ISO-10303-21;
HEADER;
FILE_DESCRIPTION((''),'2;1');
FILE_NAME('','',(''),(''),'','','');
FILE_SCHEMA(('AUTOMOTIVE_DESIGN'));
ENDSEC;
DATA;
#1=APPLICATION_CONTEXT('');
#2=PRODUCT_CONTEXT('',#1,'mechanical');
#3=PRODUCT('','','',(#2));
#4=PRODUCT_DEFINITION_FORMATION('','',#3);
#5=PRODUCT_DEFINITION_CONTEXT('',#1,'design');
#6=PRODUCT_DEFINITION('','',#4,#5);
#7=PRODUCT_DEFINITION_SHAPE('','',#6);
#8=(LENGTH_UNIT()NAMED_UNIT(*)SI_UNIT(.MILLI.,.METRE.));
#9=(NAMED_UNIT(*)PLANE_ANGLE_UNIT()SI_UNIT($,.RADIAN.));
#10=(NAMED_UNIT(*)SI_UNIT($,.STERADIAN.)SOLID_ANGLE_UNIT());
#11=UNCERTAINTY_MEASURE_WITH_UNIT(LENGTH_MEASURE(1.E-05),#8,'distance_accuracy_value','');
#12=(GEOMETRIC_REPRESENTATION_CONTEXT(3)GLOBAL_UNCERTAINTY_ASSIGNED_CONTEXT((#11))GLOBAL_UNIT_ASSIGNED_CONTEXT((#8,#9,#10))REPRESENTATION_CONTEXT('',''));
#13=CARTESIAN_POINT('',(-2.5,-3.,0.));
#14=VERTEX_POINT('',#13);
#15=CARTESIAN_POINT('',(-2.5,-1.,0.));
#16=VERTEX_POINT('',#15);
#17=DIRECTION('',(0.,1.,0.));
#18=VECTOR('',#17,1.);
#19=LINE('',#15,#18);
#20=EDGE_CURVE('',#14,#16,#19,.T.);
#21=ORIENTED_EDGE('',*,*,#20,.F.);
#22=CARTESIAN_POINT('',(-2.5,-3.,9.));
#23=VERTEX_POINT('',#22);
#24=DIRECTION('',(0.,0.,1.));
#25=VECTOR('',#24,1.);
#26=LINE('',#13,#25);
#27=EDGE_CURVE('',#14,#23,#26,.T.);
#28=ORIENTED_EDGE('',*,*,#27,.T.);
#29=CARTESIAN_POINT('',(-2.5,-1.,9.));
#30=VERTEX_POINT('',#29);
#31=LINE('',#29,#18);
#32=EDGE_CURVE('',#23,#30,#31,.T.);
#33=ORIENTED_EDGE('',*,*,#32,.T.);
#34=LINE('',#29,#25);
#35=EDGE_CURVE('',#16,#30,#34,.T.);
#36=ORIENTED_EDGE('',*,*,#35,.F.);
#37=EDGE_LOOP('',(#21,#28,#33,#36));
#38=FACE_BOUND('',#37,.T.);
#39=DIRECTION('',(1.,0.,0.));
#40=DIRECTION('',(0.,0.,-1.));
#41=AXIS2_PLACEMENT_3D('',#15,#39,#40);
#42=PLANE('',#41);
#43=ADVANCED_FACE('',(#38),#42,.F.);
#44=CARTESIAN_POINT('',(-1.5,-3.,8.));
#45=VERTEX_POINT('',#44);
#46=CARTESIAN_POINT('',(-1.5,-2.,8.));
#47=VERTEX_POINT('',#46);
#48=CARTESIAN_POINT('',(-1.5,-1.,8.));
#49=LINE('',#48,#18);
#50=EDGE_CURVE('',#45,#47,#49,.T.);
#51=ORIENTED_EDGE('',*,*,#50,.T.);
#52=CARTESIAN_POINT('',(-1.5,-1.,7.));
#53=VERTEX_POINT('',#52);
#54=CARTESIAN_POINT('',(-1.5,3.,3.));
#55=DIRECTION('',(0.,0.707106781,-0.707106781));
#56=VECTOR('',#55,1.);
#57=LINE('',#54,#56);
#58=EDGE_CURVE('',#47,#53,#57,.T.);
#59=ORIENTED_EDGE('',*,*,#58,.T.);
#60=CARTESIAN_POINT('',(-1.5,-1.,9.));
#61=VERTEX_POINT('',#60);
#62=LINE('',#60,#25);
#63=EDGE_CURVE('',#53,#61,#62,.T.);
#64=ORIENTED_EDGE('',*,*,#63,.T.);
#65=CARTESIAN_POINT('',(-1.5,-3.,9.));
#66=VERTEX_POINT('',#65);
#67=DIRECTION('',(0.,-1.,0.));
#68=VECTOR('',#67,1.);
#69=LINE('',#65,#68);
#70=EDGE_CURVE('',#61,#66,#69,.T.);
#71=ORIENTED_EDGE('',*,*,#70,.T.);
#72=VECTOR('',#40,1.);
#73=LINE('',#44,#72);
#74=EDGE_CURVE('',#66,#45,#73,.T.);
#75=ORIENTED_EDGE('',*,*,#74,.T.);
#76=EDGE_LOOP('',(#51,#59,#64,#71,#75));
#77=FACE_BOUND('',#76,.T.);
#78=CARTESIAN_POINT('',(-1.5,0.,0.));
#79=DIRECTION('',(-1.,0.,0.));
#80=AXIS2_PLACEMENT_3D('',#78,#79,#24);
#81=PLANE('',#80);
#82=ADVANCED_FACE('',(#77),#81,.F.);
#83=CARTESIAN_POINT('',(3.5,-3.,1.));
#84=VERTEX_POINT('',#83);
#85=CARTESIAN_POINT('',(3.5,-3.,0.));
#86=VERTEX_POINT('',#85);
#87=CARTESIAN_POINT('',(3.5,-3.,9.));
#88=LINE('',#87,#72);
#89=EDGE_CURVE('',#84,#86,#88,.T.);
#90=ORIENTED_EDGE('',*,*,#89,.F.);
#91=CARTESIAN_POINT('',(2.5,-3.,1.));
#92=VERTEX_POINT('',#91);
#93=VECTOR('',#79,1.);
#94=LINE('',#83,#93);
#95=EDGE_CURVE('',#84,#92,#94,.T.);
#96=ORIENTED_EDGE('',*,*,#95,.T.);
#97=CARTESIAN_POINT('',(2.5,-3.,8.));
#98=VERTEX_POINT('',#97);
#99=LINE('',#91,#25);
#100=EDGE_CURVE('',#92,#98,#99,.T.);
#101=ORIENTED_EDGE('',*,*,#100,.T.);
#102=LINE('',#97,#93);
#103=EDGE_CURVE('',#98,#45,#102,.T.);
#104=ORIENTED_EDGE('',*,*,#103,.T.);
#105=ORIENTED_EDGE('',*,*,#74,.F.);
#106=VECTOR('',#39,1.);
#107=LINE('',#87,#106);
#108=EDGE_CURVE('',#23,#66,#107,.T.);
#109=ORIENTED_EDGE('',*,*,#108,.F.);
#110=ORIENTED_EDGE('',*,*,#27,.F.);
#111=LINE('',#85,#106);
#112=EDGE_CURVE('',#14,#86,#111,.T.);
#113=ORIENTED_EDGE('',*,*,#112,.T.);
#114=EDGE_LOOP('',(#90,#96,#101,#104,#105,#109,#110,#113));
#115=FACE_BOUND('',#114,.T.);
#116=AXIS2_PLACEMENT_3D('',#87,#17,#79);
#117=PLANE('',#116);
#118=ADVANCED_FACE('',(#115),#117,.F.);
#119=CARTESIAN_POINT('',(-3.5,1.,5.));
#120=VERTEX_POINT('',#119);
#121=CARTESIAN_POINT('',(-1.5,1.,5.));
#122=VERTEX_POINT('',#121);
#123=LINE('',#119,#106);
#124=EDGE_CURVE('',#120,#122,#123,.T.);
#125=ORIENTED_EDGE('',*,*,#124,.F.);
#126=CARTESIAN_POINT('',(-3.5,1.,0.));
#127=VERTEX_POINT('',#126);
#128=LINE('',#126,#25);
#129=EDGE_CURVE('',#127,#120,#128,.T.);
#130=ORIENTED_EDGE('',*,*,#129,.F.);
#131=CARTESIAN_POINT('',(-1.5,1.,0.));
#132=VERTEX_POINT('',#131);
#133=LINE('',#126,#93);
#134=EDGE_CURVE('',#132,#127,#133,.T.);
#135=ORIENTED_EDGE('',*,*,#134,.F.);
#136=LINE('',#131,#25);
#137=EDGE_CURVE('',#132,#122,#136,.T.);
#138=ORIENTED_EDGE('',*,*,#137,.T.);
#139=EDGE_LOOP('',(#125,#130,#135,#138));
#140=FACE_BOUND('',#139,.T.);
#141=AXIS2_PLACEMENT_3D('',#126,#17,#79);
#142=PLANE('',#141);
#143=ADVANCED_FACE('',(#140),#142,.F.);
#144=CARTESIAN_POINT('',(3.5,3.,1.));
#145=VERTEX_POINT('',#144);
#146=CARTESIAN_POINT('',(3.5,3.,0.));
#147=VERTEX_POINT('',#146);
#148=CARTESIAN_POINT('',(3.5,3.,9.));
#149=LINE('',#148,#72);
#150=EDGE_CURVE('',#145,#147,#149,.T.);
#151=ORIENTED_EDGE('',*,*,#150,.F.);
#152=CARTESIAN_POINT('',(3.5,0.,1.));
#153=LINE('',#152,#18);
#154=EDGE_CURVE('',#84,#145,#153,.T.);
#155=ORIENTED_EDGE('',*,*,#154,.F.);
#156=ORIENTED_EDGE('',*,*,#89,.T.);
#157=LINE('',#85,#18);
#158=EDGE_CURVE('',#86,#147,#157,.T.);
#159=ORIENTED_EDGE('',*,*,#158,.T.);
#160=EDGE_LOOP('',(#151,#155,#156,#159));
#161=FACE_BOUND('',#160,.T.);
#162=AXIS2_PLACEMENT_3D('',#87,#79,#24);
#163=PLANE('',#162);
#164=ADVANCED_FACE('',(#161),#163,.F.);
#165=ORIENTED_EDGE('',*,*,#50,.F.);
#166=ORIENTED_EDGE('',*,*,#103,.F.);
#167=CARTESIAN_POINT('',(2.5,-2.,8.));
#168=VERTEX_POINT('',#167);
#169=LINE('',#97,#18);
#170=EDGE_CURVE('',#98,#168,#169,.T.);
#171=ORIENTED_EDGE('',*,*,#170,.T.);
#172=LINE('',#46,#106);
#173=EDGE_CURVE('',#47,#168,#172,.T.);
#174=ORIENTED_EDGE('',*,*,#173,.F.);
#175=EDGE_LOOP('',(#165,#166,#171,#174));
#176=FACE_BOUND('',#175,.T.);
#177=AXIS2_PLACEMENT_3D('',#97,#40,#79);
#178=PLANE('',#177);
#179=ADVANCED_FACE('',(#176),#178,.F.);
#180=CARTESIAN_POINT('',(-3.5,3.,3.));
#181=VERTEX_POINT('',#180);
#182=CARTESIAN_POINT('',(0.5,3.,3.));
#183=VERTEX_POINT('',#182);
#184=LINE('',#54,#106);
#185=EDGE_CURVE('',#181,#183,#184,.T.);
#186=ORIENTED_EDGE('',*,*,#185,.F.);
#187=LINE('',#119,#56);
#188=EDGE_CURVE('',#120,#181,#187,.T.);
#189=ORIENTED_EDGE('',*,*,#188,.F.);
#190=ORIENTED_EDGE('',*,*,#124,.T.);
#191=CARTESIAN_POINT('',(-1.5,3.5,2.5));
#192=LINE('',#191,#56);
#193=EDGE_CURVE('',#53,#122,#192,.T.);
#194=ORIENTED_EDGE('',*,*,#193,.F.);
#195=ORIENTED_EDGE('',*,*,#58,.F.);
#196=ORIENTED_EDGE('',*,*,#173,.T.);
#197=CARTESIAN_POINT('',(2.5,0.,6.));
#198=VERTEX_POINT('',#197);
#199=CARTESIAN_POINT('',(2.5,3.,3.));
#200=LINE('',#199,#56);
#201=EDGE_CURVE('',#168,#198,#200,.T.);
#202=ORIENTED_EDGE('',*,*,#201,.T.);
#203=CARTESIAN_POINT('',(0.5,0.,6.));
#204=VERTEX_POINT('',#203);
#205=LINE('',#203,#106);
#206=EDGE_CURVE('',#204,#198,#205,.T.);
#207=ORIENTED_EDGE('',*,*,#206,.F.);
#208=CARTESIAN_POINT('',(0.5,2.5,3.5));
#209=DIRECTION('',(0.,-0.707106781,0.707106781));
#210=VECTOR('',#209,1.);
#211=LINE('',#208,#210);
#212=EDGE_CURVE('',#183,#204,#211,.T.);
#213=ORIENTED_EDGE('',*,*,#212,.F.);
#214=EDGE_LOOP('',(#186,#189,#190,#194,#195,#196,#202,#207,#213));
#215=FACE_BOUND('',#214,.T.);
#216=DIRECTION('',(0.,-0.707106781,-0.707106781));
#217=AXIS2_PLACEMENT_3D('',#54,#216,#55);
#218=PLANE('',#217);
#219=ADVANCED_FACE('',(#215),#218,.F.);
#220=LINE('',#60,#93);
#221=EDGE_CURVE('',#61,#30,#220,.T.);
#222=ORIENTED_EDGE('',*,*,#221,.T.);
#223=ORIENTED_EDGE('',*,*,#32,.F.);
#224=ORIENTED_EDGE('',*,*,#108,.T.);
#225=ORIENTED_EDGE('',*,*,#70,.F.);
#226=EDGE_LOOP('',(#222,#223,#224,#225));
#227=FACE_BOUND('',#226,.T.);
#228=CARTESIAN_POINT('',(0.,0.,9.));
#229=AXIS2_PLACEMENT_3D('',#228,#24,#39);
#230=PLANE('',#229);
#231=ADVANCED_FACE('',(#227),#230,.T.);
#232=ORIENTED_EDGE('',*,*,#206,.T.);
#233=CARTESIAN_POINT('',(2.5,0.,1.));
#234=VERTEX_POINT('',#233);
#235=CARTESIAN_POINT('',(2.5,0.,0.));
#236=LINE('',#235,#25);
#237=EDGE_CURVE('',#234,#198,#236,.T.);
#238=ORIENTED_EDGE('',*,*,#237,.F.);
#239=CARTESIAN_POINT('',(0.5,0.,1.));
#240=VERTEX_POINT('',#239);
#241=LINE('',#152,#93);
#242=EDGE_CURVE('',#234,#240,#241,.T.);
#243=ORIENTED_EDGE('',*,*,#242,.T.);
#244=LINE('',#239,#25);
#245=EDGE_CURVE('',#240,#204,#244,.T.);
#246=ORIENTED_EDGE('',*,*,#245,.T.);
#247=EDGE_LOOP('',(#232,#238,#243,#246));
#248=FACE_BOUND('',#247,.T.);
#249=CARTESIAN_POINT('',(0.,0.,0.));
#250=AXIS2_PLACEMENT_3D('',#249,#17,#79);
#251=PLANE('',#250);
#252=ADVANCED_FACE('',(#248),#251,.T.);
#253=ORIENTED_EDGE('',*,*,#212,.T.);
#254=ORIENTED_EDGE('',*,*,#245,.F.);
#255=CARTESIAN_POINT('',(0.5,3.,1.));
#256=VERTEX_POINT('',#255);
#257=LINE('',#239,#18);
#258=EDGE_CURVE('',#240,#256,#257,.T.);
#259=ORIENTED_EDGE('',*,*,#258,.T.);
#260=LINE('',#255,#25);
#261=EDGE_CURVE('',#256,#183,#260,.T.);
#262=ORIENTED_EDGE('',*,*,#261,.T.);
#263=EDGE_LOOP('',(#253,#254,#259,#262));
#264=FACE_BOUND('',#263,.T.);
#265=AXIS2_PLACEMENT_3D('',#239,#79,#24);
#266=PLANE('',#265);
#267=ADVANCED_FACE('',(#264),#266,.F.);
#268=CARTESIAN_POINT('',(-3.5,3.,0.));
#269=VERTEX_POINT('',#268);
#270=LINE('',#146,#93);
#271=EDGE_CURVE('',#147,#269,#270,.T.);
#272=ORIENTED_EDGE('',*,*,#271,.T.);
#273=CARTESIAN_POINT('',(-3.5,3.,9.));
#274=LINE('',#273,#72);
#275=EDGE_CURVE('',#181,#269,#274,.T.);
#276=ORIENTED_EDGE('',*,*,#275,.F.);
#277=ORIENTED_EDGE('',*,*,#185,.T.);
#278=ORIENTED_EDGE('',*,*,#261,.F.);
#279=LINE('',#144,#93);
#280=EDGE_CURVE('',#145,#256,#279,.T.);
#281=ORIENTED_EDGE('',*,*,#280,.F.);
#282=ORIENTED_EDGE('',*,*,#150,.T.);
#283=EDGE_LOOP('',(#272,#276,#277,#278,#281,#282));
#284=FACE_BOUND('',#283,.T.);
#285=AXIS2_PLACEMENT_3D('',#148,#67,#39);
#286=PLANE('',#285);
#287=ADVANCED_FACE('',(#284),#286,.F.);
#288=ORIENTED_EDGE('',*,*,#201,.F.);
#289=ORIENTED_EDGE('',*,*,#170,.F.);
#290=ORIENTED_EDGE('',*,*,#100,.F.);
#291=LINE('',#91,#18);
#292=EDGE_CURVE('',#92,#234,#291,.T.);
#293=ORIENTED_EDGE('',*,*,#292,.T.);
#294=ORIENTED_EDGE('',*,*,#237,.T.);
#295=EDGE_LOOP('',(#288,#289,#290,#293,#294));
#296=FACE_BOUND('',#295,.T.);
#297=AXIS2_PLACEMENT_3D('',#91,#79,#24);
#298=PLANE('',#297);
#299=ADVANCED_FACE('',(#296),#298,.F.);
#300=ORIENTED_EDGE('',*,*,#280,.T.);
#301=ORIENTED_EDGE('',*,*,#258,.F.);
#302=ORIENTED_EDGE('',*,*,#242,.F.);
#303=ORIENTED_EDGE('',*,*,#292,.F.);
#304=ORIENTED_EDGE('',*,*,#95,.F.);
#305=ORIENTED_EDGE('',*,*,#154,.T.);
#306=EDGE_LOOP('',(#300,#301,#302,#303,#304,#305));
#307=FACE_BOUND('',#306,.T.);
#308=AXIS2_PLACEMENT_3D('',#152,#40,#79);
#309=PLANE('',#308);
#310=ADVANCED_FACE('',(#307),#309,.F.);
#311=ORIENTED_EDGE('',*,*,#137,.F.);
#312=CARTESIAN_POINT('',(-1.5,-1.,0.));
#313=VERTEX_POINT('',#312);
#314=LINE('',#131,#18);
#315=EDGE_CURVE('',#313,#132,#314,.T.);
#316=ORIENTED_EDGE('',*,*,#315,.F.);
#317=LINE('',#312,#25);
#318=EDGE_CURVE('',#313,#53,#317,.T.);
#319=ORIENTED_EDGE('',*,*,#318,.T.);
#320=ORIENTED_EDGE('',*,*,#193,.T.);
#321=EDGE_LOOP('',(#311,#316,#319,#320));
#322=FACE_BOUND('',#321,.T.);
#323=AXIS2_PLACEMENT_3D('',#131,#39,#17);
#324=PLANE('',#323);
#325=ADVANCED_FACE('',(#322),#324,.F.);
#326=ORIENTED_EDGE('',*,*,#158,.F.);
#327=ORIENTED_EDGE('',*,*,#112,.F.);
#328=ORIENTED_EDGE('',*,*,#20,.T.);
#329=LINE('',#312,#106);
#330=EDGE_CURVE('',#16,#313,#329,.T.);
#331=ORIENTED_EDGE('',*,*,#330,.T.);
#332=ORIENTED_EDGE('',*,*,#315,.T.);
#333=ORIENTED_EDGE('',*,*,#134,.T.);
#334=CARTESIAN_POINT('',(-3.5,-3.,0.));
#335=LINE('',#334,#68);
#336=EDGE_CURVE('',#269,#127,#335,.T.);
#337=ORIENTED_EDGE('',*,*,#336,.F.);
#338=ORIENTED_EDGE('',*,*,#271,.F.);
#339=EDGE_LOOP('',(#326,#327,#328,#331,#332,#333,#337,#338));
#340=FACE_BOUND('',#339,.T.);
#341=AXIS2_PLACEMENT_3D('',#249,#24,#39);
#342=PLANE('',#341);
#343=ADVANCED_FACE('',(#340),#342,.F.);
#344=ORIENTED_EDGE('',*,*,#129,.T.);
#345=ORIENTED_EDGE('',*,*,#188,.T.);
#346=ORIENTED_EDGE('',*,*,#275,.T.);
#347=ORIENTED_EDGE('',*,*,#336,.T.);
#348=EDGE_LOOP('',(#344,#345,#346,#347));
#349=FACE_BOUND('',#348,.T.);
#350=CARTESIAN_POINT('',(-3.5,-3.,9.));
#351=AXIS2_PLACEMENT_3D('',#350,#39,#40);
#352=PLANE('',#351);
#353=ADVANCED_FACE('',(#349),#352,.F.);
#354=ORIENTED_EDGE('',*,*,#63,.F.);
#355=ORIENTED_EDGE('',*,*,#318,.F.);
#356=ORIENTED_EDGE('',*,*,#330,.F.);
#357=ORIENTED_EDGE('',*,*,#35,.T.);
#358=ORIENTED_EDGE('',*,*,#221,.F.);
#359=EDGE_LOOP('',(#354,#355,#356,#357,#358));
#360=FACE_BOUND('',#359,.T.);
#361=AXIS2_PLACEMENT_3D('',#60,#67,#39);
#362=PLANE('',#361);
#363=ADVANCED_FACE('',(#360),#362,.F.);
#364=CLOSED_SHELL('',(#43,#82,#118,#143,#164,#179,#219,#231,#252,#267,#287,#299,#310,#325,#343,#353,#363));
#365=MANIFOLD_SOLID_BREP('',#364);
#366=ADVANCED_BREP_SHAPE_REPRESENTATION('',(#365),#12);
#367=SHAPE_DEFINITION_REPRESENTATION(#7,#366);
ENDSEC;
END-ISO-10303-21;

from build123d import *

# Parameters (mm, degrees)
SKETCH1_W           = 7
SKETCH1_H           = 6
BOSS_EXTRUDE1_DEPTH = 9
SKETCH2_W           = 3
SKETCH2_H           = 5
CUT_EXTRUDE1_DEPTH  = 3
CUT_EXTRUDE2_DEPTH  = 7
SKETCH4_W           = 1
SKETCH4_H           = 2
BOSS_EXTRUDE2_DEPTH = 1
CUT_EXTRUDE3_DEPTH  = 10
CUT_EXTRUDE5_DEPTH  = 4
CUT_EXTRUDE6_DEPTH  = 3


with BuildPart() as part:
    # Sketch1 → Boss-Extrude1 (new body)
    with BuildSketch(Plane.XY):
        Rectangle(SKETCH1_W, SKETCH1_H)
    extrude(amount=BOSS_EXTRUDE1_DEPTH)

    # Sketch2 → Cut-Extrude1 (cut)
    with BuildSketch(Plane(origin=(0, 3, 0), x_dir=(1, 0, 0), z_dir=(0, 1, 0))):
        with Locations((2, -3.5)):
            Rectangle(SKETCH2_W, SKETCH2_H)
    extrude(amount=-CUT_EXTRUDE1_DEPTH, mode=Mode.SUBTRACT)

    # Sketch3 → Cut-Extrude2 (cut, through all)
    with BuildSketch(Plane(origin=(0, 3, 0), x_dir=(1, 0, 0), z_dir=(0, 1, 0))):
        Polygon((3.5, -1), (2.5, -1), (2.5, -8), (-2.5, -8), (-2.5, -9), (3.5, -9), align=None)
    extrude(amount=-CUT_EXTRUDE2_DEPTH, mode=Mode.SUBTRACT)

    # Sketch4 → Boss-Extrude2 (add)
    with BuildSketch(Plane(origin=(-2.5, 0, 0), x_dir=(0, 0, -1), z_dir=(1, 0, 0))):
        with Locations((-8.5, -2)):
            Rectangle(SKETCH4_W, SKETCH4_H)
    extrude(amount=BOSS_EXTRUDE2_DEPTH)

    # Sketch5 → Cut-Extrude3 (cut, through all)
    with BuildSketch(Plane.XY.offset(9)):
        Polygon((-3.5, 1), (-1.5, 1), (-1.5, -1), (-2.5, -1), (-2.5, -3), (-3.5, -3), align=None)
    extrude(amount=-CUT_EXTRUDE3_DEPTH, mode=Mode.SUBTRACT)

    # Sketch6 → Cut-Extrude5 (cut)
    with BuildSketch(Plane(origin=(2.5, 0, 0), x_dir=(0, 0, -1), z_dir=(1, 0, 0))):
        Polygon((-3, 3), (-8, -2), (-8, 1), (-9, 1), (-9, 3), align=None)
    extrude(amount=-CUT_EXTRUDE5_DEPTH, mode=Mode.SUBTRACT)

    # Sketch8 → Cut-Extrude6 (cut, through all)
    with BuildSketch(Plane(origin=(-1.5, 0, 0), x_dir=(0, 0, -1), z_dir=(1, 0, 0))):
        Polygon((-5, 1), (-3, 3), (-9, 3), (-9, 1), align=None)
    extrude(amount=-CUT_EXTRUDE6_DEPTH, mode=Mode.SUBTRACT)


solid = part.part
